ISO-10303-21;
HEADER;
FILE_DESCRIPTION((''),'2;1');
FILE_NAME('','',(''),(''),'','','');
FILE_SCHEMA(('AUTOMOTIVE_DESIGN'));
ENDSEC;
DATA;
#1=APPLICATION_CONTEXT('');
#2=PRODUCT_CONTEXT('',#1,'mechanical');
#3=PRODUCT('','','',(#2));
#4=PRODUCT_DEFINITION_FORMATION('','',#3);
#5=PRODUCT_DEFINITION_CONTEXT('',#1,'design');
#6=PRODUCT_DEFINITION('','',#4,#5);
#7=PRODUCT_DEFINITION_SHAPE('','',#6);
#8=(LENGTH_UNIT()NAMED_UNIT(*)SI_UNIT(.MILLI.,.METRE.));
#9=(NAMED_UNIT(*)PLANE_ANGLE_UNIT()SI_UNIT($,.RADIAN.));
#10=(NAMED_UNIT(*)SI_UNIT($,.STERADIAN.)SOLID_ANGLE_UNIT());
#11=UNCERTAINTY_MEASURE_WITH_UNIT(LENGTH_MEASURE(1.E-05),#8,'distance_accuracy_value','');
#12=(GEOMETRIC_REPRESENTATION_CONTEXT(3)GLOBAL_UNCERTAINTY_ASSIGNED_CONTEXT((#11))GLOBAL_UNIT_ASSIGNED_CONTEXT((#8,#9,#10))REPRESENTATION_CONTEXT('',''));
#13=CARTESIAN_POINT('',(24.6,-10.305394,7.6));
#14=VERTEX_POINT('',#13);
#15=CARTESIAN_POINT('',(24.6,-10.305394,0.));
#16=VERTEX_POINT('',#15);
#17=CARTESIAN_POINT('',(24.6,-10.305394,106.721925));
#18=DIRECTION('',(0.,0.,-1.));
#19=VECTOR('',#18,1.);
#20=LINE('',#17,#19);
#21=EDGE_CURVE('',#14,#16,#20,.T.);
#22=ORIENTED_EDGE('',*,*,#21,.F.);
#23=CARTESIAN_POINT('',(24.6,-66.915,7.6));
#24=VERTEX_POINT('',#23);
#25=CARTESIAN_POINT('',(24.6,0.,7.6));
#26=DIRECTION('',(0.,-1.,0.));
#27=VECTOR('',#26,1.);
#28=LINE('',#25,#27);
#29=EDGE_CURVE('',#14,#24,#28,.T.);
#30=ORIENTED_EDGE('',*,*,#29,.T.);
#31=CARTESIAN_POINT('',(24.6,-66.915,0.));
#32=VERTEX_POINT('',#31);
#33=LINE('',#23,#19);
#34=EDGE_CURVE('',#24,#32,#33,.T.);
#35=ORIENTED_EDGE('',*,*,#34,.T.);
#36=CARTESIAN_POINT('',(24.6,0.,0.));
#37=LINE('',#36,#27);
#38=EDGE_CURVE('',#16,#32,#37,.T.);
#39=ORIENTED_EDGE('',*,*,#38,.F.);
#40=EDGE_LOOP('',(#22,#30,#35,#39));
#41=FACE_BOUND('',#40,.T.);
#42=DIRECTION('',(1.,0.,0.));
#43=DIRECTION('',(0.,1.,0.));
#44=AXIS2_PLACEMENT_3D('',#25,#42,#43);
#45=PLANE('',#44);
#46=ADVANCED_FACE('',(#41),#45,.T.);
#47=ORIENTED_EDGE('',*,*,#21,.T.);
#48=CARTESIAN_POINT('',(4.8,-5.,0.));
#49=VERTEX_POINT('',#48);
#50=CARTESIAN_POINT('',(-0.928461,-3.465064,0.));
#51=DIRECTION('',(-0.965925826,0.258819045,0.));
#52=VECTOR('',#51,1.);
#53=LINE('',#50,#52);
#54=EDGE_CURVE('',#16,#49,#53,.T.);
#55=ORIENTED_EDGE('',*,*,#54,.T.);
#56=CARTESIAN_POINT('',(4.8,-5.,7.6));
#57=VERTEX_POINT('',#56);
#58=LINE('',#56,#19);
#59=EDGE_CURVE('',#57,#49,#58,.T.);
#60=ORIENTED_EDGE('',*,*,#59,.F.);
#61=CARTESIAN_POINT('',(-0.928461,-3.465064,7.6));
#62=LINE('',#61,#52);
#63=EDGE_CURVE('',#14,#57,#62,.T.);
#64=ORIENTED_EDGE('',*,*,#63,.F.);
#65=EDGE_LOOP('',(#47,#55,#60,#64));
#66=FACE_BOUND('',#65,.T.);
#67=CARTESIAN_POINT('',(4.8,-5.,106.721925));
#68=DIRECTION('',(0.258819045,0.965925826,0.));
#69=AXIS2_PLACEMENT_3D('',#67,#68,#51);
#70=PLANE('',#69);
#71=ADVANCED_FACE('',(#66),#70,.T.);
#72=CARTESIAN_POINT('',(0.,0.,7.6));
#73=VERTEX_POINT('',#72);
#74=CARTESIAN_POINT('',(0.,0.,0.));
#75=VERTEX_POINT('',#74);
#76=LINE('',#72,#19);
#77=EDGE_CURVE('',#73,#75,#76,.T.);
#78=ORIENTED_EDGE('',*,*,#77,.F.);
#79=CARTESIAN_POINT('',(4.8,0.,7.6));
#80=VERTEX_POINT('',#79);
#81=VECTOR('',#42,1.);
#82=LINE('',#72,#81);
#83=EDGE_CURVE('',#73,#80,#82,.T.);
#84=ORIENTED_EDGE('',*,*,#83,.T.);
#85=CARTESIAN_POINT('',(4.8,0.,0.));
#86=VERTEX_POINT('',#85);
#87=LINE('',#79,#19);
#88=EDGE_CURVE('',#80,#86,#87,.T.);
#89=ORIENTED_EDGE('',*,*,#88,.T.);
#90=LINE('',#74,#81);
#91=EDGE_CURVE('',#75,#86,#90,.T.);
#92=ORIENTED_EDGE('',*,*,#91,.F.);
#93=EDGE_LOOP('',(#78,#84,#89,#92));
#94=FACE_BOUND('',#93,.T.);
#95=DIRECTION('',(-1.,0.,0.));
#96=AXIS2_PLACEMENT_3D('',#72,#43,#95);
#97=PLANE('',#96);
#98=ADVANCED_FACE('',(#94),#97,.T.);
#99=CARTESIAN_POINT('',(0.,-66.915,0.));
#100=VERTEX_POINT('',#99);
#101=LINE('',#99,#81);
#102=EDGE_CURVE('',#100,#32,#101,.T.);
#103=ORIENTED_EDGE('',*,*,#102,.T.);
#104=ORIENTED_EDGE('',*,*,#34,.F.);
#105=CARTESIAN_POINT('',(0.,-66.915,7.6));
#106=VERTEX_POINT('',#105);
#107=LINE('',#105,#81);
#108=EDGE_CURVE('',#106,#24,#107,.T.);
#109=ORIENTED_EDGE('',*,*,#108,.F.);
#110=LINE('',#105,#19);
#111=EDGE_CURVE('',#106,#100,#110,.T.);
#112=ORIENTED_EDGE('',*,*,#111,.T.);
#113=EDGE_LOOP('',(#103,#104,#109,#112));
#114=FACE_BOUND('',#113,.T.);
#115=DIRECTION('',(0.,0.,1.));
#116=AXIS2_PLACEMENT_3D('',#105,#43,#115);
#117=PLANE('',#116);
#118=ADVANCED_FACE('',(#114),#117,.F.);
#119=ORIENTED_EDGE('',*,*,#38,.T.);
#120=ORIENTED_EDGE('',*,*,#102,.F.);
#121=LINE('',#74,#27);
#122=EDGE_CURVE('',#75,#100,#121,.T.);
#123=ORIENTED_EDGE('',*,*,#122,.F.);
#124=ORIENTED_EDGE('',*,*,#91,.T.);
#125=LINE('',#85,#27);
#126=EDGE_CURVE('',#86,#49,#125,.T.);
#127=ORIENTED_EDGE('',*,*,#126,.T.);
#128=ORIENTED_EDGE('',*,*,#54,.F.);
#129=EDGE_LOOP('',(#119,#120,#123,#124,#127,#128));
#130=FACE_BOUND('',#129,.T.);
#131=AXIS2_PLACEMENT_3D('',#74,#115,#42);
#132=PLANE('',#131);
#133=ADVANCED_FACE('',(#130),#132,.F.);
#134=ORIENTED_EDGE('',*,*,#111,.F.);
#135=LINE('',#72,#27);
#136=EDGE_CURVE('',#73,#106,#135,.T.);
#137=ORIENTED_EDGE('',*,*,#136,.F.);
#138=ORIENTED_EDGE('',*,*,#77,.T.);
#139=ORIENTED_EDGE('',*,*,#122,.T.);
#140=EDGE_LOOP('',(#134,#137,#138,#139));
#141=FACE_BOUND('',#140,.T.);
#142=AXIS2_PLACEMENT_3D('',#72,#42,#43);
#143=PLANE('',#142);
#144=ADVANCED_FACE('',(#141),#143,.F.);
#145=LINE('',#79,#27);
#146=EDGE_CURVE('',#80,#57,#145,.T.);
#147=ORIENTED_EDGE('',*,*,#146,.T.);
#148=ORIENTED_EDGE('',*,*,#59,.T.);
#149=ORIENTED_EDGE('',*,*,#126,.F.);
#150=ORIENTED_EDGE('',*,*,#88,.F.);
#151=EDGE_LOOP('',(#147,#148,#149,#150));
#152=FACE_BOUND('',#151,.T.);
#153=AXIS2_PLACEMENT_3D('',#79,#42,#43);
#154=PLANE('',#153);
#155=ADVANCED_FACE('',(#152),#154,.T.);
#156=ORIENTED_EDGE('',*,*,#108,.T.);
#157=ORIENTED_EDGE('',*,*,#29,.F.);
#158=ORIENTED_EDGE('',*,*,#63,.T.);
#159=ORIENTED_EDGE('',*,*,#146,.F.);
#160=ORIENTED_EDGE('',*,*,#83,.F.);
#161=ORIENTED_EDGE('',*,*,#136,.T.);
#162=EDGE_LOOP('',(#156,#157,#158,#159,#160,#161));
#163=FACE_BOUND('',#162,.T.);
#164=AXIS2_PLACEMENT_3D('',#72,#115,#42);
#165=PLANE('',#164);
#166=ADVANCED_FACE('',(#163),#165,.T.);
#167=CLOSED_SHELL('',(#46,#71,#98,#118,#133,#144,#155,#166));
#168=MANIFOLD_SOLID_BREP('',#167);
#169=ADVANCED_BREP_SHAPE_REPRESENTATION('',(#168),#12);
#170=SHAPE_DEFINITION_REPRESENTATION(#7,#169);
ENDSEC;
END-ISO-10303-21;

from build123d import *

# Parameters (mm, degrees)
EXTRUDE_1_DEPTH          = 7.6
CUT_EXTRUDE_1_DEPTH      = 72.697539881
CUT_EXTRUDE_1_DEPTH_BACK = 72.697539881


with BuildPart() as part:
    # 草图1 → 凸台-拉伸1 (new body)
    with BuildSketch(Plane.XY):
        Polygon((4.8, 0), (0, 0), (0, -66.915), (24.6, -66.915), (24.6, 0), (19.8, 0), (19.8, -5), (4.8, -5), align=None)
    extrude(amount=EXTRUDE_1_DEPTH)

    # 草图2 → 切除-拉伸1 (cut, two sides: drawn at the far end of the back side and taken through both)
    with BuildSketch(Plane.XY.offset(7.6).offset(-CUT_EXTRUDE_1_DEPTH_BACK)):
        Polygon((19.8, -5), (4.8, -5), (24.6, -10.30539401), (24.6, 0), (19.8, 0), align=None)
    extrude(amount=CUT_EXTRUDE_1_DEPTH + CUT_EXTRUDE_1_DEPTH_BACK, mode=Mode.SUBTRACT)


solid = part.part
